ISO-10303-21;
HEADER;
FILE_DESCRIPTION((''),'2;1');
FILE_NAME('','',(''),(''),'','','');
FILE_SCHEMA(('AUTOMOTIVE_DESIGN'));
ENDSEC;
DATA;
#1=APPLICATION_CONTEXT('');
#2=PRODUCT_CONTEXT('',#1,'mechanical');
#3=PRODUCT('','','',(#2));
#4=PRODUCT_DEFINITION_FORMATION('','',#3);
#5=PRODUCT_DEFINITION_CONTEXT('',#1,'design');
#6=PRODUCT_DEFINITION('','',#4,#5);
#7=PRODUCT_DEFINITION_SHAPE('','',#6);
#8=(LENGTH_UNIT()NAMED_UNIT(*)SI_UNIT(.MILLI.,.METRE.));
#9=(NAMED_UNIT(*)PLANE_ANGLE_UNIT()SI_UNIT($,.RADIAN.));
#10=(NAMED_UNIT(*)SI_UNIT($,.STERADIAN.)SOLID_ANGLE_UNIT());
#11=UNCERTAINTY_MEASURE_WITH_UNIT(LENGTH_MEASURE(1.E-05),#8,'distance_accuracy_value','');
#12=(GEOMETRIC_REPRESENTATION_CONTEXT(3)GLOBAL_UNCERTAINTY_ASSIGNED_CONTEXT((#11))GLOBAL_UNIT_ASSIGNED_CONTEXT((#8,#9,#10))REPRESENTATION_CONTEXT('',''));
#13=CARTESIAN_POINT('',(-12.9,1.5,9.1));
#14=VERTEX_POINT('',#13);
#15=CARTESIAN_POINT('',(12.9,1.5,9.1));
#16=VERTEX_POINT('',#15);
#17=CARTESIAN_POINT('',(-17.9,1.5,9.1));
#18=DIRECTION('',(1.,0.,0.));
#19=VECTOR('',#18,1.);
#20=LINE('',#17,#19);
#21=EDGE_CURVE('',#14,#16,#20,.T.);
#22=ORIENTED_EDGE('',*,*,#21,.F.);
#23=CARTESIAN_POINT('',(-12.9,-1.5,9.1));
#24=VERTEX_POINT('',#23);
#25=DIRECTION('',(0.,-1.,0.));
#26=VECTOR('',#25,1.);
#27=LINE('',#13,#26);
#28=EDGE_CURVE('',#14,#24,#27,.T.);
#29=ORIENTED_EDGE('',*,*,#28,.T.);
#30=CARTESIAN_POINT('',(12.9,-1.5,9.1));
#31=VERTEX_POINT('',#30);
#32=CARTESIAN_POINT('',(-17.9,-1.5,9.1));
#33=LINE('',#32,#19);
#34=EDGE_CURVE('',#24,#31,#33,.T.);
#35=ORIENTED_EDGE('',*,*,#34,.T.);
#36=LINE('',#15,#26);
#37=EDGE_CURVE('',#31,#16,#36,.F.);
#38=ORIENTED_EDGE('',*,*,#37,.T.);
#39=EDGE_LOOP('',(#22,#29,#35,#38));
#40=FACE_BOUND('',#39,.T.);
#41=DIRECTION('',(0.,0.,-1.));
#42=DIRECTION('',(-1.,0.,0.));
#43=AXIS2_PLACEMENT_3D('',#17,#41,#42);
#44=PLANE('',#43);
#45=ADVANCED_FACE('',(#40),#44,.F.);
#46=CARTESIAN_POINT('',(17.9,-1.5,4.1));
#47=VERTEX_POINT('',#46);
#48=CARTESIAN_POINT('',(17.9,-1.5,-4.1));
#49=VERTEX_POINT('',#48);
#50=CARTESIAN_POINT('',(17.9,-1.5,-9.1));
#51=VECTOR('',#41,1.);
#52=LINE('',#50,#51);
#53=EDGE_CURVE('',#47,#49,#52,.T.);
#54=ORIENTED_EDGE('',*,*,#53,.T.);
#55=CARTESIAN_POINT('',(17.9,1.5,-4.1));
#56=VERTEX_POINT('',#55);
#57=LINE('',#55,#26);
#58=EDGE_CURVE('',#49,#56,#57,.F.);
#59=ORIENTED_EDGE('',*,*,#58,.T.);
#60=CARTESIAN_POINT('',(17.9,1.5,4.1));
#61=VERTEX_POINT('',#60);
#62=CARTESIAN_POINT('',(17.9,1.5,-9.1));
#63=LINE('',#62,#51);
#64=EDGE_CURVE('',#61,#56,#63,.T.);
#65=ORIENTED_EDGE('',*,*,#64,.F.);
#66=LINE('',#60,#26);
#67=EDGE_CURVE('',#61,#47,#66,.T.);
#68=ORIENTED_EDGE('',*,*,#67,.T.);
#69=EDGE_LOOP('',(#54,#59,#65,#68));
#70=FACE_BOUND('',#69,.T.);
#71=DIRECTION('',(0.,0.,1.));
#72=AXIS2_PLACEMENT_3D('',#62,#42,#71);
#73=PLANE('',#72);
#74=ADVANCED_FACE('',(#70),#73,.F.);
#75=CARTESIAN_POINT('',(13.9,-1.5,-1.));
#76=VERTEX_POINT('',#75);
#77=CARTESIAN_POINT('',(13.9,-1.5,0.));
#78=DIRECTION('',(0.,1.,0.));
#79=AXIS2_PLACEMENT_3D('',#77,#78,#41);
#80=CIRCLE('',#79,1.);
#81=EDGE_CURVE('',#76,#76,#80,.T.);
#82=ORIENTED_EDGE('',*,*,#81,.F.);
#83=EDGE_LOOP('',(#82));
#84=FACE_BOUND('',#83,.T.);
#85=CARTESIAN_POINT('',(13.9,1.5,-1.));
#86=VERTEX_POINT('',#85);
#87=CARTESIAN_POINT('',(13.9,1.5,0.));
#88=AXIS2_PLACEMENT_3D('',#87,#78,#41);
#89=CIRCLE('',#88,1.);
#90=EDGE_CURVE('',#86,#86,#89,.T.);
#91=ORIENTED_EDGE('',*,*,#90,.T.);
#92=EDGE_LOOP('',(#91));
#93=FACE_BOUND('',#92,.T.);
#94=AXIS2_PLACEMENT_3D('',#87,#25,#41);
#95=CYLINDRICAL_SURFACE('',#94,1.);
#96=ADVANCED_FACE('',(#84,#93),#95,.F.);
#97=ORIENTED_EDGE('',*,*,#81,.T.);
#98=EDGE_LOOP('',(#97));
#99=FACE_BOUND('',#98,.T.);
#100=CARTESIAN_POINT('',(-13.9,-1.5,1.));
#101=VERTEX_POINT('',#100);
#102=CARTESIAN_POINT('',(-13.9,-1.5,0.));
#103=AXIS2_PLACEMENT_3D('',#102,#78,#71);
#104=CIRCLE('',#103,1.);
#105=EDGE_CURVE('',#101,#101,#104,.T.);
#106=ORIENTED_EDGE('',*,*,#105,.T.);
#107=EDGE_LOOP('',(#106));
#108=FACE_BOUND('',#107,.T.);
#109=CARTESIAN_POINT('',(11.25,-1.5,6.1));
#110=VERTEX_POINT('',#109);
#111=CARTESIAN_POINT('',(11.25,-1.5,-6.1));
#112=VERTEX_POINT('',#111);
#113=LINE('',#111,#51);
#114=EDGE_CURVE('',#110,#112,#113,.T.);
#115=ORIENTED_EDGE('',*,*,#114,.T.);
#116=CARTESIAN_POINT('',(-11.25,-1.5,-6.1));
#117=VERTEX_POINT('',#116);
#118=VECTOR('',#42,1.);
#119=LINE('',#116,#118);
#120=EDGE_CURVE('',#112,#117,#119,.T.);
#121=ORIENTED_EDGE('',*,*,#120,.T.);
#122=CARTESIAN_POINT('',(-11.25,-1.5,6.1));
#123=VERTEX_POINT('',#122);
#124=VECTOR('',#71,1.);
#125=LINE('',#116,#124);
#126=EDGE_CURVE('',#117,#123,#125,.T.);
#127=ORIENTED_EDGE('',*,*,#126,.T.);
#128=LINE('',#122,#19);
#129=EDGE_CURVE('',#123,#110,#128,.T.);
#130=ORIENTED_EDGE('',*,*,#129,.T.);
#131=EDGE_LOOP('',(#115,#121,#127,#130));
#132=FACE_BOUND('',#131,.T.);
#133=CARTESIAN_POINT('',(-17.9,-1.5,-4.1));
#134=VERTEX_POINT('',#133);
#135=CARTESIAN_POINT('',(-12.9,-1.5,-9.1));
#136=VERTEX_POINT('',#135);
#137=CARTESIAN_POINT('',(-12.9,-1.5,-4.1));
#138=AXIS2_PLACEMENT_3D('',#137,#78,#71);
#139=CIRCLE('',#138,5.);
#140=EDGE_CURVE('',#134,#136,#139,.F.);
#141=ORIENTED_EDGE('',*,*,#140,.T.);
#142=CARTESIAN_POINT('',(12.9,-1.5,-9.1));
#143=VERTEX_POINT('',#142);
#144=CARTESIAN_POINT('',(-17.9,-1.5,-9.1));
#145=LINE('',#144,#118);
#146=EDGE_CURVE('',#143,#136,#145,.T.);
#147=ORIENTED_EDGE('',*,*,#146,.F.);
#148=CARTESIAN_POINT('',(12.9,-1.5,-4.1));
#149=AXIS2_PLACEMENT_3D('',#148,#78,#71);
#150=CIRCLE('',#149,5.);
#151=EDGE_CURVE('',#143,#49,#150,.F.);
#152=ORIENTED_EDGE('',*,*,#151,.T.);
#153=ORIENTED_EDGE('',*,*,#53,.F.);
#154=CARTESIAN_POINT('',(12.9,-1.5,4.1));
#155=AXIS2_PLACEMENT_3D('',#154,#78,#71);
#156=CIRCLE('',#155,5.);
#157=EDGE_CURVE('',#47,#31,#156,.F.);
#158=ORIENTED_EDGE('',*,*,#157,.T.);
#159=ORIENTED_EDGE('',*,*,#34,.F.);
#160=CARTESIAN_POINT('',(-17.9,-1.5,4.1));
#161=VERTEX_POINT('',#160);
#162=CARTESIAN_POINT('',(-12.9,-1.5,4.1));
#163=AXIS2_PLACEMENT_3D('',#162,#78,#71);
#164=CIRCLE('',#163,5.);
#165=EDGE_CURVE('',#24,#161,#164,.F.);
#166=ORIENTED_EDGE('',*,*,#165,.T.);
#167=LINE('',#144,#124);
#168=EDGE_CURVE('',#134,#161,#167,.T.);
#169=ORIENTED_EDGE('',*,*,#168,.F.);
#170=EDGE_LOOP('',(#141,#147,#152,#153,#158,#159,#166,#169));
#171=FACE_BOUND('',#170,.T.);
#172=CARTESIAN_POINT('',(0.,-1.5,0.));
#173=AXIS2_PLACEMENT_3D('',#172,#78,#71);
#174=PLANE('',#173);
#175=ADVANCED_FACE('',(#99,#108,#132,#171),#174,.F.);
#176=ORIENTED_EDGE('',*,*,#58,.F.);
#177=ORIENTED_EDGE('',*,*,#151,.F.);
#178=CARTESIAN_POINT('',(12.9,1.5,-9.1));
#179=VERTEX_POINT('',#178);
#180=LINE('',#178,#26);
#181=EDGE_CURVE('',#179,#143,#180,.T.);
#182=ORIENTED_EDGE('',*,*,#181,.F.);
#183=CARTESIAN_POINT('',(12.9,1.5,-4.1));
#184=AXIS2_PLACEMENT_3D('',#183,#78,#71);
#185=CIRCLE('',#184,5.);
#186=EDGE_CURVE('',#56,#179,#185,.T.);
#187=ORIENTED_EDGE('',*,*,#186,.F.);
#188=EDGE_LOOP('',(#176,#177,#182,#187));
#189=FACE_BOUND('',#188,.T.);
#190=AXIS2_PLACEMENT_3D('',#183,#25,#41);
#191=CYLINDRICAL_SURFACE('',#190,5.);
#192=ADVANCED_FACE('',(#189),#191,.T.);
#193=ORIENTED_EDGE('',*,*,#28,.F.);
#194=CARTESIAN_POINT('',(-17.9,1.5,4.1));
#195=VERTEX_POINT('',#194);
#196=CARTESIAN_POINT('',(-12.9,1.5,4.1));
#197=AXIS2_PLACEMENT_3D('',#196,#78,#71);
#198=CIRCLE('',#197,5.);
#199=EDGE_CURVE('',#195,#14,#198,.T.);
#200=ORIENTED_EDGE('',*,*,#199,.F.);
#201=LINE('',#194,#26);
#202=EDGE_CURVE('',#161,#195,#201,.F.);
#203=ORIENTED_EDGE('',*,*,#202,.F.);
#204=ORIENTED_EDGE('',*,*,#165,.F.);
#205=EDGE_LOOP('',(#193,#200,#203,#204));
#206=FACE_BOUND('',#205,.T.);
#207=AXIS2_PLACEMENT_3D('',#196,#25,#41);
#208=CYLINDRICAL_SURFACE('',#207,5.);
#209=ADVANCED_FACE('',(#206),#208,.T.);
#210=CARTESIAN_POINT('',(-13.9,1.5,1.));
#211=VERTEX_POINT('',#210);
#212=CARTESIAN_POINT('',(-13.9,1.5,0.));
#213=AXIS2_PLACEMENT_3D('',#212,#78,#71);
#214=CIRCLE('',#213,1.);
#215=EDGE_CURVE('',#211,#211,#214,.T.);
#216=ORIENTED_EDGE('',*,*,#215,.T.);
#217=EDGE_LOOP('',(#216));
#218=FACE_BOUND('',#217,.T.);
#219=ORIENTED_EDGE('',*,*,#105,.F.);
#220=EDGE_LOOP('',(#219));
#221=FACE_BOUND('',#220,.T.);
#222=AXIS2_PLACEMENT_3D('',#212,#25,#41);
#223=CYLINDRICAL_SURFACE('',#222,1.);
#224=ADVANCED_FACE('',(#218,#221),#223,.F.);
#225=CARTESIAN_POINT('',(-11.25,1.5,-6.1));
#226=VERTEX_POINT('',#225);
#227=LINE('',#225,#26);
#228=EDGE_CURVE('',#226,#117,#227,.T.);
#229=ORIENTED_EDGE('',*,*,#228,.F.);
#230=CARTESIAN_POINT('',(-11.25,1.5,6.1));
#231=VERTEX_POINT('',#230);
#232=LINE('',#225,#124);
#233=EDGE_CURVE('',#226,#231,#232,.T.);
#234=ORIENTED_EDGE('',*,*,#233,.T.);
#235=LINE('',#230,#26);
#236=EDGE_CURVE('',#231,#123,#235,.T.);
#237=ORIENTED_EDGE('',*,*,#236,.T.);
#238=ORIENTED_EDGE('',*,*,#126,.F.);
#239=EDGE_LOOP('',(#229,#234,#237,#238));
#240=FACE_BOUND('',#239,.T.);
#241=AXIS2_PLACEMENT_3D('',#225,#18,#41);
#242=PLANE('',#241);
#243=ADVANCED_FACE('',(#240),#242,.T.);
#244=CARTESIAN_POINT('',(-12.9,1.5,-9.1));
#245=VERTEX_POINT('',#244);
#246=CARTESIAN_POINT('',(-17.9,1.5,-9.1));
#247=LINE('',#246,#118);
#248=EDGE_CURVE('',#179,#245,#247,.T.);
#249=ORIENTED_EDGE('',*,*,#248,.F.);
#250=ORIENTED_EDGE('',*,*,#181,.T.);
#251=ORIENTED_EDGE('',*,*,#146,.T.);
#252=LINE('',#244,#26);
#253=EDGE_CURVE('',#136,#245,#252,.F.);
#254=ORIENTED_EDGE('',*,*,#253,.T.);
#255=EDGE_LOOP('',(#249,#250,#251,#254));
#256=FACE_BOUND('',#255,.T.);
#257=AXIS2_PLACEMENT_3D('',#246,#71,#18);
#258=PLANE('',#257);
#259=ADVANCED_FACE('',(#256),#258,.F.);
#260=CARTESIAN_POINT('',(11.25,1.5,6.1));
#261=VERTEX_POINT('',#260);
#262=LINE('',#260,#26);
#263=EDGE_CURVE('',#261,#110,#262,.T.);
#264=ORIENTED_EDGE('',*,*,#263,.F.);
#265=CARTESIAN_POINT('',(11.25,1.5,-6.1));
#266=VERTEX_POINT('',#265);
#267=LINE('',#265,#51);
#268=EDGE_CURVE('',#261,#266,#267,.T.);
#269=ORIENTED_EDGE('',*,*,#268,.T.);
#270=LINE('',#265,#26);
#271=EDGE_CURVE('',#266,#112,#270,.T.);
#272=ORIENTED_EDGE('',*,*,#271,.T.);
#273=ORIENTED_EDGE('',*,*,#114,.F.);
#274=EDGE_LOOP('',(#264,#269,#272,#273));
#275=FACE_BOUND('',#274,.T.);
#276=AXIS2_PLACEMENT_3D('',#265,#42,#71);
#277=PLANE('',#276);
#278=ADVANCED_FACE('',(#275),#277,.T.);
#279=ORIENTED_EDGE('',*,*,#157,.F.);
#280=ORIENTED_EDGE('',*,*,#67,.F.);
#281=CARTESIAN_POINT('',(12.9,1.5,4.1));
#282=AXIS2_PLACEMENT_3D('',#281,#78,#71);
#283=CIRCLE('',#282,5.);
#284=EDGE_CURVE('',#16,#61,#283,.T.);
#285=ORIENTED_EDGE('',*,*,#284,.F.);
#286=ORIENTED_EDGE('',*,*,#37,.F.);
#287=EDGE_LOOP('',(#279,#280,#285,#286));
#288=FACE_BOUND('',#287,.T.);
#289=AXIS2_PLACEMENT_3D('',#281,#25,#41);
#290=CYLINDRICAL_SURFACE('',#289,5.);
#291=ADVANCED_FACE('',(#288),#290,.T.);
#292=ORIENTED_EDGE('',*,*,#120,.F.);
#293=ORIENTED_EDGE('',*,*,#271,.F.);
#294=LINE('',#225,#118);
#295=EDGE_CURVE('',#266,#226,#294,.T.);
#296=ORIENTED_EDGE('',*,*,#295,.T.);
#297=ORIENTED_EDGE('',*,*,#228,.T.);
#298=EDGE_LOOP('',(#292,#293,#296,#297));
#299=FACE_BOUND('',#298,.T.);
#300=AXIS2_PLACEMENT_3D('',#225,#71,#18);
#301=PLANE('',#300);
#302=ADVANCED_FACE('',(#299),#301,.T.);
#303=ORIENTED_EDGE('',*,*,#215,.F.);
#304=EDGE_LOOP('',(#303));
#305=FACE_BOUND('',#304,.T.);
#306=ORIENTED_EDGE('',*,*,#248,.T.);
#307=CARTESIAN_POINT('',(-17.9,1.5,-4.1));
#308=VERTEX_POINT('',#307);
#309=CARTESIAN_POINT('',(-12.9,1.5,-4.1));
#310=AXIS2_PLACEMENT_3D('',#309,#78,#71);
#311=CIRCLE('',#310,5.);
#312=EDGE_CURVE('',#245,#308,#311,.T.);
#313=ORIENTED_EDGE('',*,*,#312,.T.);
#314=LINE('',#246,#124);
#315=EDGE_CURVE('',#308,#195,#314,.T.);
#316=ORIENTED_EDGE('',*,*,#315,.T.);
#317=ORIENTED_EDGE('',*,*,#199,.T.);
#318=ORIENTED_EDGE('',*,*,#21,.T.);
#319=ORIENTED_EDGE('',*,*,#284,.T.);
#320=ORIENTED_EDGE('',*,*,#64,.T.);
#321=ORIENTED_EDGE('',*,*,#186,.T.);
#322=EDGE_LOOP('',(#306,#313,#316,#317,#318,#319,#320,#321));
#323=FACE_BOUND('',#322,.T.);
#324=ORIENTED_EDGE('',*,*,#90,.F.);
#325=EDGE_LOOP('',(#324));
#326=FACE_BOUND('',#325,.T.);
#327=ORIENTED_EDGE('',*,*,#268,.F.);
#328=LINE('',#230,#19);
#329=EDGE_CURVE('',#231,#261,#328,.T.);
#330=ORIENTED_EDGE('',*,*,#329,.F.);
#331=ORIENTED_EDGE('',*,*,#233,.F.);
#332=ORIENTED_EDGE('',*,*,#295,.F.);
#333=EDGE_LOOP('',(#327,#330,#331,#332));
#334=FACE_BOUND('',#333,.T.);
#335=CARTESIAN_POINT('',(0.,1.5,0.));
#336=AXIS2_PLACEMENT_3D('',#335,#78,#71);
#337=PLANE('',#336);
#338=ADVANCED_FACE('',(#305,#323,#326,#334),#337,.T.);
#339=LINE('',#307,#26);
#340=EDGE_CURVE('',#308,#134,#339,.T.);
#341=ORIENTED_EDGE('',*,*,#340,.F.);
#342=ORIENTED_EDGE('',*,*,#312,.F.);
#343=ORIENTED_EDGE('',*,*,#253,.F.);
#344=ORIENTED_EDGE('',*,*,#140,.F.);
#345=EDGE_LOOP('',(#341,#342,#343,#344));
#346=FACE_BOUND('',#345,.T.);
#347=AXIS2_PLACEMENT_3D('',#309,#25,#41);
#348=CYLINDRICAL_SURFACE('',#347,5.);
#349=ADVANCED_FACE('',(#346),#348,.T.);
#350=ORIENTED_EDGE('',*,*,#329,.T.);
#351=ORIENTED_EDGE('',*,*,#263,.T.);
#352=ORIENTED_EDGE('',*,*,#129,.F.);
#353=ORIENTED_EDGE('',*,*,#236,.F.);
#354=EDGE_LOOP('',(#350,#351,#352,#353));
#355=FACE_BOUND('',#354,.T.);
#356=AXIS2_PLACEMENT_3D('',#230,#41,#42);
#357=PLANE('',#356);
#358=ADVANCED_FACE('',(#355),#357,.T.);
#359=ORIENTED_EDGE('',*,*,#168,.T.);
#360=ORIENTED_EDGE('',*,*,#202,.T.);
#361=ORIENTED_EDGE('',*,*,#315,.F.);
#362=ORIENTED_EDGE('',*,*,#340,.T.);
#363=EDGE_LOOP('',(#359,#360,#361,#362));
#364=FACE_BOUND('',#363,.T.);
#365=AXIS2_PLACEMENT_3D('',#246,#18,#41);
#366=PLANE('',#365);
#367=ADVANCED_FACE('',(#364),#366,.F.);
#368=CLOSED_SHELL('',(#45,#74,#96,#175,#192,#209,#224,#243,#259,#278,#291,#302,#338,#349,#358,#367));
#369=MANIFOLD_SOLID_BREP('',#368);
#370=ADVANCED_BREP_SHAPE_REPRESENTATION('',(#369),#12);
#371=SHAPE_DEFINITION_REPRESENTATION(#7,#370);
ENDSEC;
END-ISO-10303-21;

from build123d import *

# Parameters (mm, degrees)
SKETCH1_W           = 35.8
SKETCH1_H           = 18.2
SKETCH1_R           = 1
SKETCH1_W_2         = 22.5
SKETCH1_H_2         = 12.2
BOSS_EXTRUDE1_DEPTH = 1.5
FILLET1_R           = 5


with BuildPart() as part:
    # Sketch1 → Boss-Extrude1 (new body, symmetric)
    with BuildSketch(Plane(origin=(0, 0, 0), x_dir=(1, 0, 0), z_dir=(0, 1, 0))):
        Rectangle(SKETCH1_W, SKETCH1_H)
        with Locations((-13.9, 0)):
            Circle(SKETCH1_R, mode=Mode.SUBTRACT)
        with Locations((13.9, 0)):
            Circle(SKETCH1_R, mode=Mode.SUBTRACT)
        Rectangle(SKETCH1_W_2, SKETCH1_H_2, mode=Mode.SUBTRACT)
    extrude(amount=BOSS_EXTRUDE1_DEPTH, both=True)

    # Fillet1
    fillet1_edges = [part.edges().sort_by_distance(p)[0] for p in [
        (-17.9, 0, -9.1),
        (17.9, 0, -9.1),
        (17.9, 0, 9.1),
        (-17.9, 0, 9.1),
    ]]
    fillet(fillet1_edges, radius=FILLET1_R)


solid = part.part
